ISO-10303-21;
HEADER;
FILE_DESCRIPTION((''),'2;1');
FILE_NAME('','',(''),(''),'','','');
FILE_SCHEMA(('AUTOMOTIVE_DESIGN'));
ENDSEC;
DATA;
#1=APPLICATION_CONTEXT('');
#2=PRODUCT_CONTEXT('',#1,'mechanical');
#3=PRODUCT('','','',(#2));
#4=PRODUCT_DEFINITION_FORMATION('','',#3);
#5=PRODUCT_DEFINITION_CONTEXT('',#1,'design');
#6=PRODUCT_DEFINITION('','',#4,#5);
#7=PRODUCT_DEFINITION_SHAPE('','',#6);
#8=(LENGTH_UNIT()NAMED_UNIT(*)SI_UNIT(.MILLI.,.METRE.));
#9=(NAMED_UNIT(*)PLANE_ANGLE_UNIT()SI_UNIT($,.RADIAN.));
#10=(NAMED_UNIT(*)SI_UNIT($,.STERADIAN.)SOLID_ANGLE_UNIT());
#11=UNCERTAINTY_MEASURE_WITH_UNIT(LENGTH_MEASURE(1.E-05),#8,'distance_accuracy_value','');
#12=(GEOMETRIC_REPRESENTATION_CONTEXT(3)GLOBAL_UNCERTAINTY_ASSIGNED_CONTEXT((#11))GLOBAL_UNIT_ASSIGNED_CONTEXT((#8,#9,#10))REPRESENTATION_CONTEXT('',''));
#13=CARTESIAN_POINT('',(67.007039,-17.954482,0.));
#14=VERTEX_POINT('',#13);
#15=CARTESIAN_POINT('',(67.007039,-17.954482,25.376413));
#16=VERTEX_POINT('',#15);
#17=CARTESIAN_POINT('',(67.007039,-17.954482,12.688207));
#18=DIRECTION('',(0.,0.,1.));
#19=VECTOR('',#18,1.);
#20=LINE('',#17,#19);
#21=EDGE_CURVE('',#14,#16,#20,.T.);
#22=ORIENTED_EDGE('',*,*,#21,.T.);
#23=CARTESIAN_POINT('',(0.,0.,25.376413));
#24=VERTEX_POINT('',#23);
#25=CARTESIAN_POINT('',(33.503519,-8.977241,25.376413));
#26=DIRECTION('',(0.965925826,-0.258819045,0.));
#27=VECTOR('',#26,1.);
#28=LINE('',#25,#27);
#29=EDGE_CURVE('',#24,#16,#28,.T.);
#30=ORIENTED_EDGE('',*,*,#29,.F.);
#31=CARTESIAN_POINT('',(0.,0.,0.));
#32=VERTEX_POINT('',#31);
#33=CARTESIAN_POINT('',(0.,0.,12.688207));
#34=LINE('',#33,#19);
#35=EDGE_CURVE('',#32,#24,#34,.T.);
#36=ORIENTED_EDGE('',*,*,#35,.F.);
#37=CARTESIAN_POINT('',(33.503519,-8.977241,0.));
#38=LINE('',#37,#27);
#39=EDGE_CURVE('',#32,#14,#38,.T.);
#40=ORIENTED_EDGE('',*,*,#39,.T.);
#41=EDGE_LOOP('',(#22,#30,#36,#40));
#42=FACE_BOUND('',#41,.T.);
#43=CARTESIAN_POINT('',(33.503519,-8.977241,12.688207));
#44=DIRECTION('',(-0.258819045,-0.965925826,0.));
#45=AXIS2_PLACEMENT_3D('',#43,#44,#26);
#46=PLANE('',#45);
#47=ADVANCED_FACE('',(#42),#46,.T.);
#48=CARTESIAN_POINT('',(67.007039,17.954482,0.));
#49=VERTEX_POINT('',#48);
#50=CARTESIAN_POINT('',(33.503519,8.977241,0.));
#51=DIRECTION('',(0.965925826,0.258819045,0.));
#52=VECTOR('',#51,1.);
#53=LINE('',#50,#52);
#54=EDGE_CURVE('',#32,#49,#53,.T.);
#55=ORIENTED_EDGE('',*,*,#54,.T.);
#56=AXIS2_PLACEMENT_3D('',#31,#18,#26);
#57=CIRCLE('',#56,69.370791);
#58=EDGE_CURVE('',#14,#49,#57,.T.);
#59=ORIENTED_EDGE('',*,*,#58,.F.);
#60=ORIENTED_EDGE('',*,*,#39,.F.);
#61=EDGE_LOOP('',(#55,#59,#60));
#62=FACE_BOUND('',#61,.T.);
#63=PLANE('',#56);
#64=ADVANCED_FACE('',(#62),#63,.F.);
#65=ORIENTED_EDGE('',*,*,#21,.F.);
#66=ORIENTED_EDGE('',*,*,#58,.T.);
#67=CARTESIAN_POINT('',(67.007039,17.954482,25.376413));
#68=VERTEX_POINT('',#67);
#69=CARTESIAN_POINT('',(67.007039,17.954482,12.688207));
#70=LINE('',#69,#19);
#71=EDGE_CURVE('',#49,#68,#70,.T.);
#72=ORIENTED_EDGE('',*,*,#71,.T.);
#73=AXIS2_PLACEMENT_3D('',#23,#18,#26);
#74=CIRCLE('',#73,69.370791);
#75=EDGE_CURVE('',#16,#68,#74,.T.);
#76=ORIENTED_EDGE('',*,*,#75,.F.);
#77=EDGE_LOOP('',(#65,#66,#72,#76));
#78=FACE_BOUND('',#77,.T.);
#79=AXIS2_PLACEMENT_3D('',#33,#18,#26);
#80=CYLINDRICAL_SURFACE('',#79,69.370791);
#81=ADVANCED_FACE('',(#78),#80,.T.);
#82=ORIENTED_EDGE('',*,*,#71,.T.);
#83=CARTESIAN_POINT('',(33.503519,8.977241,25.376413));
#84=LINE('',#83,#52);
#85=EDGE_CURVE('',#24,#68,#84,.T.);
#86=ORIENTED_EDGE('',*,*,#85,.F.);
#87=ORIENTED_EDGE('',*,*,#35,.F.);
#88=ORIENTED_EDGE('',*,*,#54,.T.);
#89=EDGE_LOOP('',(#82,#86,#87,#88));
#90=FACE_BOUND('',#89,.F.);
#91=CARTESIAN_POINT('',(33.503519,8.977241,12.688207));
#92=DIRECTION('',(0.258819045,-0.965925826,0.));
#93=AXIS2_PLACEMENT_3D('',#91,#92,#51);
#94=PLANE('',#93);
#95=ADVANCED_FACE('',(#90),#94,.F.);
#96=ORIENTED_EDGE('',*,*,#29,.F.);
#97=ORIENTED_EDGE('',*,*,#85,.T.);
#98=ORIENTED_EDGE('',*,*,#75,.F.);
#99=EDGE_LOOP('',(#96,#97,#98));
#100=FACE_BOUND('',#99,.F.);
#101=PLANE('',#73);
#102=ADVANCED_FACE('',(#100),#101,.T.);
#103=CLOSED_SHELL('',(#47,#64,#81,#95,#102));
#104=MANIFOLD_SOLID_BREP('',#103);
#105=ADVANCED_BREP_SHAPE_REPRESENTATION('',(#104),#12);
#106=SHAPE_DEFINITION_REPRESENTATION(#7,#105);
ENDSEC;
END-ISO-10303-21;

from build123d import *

# Parameters (mm, degrees)
F0_W          = 69.370791316
F0_H          = 25.3764130175
F1_ANGLE_BACK = 15
F1_ANGLE      = 30


with BuildPart() as f1:
    # F0 (on Front) → F1 (revolve)
    with BuildSketch(Plane.XZ, mode=Mode.PRIVATE) as f1_sk:
        with Locations((34.685395658, 12.6882065088)):
            Rectangle(F0_W, F0_H)
    revolve(f1_sk.sketch.rotate(Axis((0, 0, 12.6882065088), (0, 0, 1)), -F1_ANGLE_BACK), axis=Axis((0, 0, 12.6882065088), (0, 0, 1)), revolution_arc=F1_ANGLE)


solid = f1.part
